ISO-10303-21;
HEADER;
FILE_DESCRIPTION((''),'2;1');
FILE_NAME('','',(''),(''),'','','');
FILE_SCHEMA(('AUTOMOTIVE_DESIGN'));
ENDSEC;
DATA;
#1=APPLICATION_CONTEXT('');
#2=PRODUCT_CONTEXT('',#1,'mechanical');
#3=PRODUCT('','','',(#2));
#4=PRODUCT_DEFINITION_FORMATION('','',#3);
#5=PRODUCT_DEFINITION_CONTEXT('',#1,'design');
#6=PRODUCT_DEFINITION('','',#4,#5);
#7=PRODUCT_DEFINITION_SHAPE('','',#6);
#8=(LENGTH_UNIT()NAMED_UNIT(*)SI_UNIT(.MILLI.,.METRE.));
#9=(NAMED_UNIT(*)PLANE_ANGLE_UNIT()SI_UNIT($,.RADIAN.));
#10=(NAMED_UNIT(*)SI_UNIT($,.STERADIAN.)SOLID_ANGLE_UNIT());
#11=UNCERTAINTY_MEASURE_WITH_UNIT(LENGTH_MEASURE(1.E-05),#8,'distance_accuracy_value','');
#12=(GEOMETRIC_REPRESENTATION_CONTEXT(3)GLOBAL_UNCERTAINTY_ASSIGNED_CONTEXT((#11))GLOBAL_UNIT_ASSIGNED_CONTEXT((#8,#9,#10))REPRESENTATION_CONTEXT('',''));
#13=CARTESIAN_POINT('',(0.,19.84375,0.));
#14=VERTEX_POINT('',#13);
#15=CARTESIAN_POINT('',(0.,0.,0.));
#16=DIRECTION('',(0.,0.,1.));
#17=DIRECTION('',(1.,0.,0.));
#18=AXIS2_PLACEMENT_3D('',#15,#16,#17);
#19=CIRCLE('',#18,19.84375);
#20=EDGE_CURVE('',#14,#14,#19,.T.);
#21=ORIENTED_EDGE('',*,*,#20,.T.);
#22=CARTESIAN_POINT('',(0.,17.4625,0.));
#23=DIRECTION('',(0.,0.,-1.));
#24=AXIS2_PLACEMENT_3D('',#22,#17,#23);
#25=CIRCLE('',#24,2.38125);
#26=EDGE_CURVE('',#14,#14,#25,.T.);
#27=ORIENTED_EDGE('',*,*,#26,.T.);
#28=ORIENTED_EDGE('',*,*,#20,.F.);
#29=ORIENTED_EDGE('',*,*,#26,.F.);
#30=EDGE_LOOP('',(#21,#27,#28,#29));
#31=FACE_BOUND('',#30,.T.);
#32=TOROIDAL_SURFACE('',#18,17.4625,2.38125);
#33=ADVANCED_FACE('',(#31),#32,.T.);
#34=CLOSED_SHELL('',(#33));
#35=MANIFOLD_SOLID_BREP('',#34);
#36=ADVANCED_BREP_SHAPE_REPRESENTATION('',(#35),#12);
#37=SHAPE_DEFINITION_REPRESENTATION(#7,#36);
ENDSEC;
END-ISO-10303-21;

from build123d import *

# Parameters (mm, degrees)
SKETCH2_R = 2.38125


with BuildPart() as part:
    # Sweep1: sweep along a path in Sketch1
    with BuildLine(Plane.XY) as sweep1_path:
        CenterArc((0, 0), 17.4625, 0, 360)
    # Sketch2 → Sweep1 (sweep)
    with BuildSketch(Plane(origin=(0, 0, 0), x_dir=(0, 0, -1), z_dir=(1, 0, 0))):
        with Locations((0, 17.4625)):
            Circle(SKETCH2_R)
    sweep(path=sweep1_path.line)


solid = part.part
